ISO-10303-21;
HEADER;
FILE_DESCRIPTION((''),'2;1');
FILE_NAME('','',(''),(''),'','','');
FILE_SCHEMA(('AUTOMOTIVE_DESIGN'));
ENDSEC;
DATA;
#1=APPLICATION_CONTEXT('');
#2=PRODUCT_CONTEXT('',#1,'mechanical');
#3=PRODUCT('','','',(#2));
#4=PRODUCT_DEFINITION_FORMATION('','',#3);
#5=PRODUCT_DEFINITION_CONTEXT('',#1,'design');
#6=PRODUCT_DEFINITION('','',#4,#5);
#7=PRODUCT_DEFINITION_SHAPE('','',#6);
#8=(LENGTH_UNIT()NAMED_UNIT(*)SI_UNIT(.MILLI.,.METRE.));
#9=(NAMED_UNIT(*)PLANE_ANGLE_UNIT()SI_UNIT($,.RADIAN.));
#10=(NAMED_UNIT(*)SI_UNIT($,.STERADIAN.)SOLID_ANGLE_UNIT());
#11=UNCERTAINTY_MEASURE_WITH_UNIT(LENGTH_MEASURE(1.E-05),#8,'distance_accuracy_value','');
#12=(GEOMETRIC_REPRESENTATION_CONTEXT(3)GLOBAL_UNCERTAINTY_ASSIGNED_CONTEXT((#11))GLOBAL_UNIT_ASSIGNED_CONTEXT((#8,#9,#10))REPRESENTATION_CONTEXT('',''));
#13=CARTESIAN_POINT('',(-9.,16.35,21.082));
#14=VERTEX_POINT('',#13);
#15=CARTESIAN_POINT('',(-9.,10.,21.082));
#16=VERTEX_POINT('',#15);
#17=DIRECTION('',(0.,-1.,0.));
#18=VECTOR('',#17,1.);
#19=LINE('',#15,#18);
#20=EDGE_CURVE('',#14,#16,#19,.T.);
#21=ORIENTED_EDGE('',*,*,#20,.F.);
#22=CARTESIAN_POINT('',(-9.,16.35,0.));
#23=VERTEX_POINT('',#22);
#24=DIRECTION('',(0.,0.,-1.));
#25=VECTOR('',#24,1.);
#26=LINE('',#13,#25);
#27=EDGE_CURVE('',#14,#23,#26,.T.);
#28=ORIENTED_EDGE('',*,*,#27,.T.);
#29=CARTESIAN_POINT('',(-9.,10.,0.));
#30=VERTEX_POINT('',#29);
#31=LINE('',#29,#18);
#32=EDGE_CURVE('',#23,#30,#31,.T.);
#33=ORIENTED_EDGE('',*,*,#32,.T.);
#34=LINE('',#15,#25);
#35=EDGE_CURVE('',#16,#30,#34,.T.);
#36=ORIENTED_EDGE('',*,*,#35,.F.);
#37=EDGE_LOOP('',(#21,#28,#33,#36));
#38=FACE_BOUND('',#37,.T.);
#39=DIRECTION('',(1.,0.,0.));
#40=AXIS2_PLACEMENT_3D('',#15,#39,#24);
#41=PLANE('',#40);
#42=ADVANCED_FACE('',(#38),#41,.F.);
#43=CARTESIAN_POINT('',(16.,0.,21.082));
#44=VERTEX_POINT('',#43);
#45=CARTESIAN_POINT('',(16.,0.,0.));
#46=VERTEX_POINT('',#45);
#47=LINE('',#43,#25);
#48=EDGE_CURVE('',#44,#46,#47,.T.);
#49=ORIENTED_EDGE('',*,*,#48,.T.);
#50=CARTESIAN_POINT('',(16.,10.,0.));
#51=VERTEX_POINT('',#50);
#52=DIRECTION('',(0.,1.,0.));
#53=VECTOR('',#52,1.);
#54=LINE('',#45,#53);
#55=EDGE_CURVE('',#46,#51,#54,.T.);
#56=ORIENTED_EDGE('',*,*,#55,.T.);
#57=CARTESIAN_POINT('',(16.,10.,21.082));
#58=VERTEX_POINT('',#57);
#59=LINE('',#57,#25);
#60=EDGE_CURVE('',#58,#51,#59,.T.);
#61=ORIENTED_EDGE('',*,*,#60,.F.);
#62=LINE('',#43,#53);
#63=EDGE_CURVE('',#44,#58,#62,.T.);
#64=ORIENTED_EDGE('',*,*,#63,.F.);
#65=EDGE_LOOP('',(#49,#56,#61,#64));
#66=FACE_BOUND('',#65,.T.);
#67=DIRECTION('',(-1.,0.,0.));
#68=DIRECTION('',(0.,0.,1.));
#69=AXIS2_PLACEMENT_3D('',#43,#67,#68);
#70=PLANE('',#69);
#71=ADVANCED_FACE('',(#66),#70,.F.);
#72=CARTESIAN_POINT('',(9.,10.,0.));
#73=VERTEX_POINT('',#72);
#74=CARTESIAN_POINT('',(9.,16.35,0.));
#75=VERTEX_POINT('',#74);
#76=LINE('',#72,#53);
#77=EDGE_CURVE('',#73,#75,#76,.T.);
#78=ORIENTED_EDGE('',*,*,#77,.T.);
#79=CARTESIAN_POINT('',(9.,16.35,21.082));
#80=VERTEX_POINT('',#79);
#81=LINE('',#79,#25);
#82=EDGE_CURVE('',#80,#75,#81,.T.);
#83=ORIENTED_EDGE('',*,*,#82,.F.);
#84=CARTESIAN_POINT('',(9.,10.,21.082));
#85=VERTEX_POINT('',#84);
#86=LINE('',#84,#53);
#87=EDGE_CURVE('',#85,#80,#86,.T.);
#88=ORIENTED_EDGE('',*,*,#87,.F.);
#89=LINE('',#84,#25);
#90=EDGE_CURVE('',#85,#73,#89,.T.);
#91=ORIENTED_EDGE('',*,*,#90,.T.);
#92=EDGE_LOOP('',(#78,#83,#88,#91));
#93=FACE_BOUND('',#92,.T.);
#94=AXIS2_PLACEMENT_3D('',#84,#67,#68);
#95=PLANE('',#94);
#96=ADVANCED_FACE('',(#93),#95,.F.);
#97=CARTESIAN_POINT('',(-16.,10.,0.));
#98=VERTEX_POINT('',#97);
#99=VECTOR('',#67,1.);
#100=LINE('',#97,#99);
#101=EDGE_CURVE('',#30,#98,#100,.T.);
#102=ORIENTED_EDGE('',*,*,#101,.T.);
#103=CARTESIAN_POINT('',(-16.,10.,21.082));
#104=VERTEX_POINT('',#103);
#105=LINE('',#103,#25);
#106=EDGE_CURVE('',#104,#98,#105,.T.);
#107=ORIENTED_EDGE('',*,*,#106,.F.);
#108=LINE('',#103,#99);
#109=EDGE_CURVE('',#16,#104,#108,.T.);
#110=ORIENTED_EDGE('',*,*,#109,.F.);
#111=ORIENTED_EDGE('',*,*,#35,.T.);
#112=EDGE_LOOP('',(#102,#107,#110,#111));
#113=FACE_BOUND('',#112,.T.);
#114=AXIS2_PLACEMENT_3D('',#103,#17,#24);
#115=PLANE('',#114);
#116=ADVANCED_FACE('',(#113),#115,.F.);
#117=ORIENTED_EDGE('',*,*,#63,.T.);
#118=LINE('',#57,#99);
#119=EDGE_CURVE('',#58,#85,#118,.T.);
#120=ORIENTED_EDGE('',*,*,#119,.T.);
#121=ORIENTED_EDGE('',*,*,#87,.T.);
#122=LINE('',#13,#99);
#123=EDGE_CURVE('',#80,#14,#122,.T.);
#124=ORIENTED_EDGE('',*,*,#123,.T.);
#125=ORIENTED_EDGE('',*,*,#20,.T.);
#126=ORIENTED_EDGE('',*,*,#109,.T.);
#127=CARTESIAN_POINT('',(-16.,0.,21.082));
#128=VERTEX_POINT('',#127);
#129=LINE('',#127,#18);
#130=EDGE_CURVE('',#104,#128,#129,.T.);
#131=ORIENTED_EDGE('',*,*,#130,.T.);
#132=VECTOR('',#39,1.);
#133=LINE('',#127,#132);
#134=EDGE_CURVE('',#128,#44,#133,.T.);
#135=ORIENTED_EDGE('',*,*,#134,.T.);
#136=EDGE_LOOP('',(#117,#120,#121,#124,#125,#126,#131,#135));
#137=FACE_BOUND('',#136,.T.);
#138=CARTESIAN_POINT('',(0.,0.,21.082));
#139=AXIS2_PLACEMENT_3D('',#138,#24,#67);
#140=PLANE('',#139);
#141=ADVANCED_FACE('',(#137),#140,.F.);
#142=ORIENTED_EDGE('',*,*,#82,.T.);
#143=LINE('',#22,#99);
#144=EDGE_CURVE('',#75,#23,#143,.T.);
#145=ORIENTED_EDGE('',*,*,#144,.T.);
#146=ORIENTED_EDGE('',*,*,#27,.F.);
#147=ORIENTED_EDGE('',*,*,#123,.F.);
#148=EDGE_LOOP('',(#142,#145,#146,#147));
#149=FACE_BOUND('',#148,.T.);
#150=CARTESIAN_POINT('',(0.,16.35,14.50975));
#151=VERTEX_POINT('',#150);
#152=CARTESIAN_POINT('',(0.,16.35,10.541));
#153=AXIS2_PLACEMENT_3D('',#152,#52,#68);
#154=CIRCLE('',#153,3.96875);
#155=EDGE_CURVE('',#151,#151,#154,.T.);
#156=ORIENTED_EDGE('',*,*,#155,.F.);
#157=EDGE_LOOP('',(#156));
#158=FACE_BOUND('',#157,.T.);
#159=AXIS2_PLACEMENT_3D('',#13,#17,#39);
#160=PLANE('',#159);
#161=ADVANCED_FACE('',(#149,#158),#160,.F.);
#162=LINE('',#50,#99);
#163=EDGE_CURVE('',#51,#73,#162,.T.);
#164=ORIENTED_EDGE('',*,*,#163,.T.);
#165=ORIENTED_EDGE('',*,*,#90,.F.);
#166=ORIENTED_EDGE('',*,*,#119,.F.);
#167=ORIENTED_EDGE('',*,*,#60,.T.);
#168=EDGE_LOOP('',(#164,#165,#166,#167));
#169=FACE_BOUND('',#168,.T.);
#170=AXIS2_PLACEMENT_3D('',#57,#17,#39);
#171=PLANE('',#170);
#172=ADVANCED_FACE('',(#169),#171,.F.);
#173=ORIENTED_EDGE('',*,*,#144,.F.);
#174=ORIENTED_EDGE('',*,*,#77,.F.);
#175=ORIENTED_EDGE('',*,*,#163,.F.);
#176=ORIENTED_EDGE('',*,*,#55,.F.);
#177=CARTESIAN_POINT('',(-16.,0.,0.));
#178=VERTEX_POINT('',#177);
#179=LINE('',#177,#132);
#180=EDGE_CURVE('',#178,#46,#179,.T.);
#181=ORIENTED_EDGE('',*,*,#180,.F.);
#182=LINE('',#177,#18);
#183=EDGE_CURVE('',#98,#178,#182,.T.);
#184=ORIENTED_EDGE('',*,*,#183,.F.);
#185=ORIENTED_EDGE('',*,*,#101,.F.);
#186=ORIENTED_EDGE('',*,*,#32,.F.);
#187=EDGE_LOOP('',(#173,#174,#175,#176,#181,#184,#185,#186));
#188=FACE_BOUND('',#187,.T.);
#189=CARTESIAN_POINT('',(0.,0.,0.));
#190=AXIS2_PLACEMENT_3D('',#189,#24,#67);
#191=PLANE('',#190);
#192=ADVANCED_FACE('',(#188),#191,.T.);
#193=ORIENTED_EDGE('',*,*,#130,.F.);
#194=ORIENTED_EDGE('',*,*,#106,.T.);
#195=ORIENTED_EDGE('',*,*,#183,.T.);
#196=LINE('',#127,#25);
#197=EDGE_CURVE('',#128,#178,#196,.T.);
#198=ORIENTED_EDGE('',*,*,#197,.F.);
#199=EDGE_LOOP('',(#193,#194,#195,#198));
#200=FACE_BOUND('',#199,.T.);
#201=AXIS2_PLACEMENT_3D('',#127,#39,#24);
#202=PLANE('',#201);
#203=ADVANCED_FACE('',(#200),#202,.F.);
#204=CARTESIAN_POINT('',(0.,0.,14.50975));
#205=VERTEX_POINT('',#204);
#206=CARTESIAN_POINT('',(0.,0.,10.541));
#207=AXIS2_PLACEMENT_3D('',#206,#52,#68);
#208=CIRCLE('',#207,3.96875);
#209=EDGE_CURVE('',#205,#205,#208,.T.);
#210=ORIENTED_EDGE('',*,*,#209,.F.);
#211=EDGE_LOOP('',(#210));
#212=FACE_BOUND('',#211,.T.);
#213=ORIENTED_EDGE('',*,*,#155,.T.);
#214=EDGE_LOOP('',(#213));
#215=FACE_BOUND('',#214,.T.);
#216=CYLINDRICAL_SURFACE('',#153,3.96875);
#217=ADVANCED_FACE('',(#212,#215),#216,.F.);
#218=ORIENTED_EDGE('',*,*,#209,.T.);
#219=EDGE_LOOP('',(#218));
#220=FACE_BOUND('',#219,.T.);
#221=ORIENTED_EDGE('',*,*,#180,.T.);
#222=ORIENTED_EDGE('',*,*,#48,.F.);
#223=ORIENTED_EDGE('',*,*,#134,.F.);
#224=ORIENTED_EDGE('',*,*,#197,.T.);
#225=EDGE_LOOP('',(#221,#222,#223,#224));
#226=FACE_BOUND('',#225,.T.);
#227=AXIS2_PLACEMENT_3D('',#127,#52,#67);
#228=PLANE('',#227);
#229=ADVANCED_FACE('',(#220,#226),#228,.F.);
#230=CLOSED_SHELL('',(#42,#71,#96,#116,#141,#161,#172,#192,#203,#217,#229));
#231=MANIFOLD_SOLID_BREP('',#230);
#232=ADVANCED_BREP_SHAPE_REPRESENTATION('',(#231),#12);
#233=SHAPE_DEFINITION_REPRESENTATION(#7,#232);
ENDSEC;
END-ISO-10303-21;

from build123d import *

# Parameters (mm, degrees)
BOSS_EXTRUDE1_DEPTH     = 21.082
F_3_8_16_TAPPED_HOLE1_D = 7.9375


with BuildPart() as part:
    # Sketch1 → Boss-Extrude1 (new body)
    with BuildSketch(Plane.XY):
        Polygon((-16, 0), (16, 0), (16, 10), (9, 10), (9, 16.35), (-9, 16.35), (-9, 10), (-16, 10), align=None)
    extrude(amount=BOSS_EXTRUDE1_DEPTH)

    # 3/8-16 Tapped Hole1 (through all)
    with Locations(Plane(origin=(0, 16.35, 0), x_dir=(1, 0, 0), z_dir=(0, 1, 0))):
        with Locations((0, -10.541)):
            Hole(F_3_8_16_TAPPED_HOLE1_D / 2)


solid = part.part
